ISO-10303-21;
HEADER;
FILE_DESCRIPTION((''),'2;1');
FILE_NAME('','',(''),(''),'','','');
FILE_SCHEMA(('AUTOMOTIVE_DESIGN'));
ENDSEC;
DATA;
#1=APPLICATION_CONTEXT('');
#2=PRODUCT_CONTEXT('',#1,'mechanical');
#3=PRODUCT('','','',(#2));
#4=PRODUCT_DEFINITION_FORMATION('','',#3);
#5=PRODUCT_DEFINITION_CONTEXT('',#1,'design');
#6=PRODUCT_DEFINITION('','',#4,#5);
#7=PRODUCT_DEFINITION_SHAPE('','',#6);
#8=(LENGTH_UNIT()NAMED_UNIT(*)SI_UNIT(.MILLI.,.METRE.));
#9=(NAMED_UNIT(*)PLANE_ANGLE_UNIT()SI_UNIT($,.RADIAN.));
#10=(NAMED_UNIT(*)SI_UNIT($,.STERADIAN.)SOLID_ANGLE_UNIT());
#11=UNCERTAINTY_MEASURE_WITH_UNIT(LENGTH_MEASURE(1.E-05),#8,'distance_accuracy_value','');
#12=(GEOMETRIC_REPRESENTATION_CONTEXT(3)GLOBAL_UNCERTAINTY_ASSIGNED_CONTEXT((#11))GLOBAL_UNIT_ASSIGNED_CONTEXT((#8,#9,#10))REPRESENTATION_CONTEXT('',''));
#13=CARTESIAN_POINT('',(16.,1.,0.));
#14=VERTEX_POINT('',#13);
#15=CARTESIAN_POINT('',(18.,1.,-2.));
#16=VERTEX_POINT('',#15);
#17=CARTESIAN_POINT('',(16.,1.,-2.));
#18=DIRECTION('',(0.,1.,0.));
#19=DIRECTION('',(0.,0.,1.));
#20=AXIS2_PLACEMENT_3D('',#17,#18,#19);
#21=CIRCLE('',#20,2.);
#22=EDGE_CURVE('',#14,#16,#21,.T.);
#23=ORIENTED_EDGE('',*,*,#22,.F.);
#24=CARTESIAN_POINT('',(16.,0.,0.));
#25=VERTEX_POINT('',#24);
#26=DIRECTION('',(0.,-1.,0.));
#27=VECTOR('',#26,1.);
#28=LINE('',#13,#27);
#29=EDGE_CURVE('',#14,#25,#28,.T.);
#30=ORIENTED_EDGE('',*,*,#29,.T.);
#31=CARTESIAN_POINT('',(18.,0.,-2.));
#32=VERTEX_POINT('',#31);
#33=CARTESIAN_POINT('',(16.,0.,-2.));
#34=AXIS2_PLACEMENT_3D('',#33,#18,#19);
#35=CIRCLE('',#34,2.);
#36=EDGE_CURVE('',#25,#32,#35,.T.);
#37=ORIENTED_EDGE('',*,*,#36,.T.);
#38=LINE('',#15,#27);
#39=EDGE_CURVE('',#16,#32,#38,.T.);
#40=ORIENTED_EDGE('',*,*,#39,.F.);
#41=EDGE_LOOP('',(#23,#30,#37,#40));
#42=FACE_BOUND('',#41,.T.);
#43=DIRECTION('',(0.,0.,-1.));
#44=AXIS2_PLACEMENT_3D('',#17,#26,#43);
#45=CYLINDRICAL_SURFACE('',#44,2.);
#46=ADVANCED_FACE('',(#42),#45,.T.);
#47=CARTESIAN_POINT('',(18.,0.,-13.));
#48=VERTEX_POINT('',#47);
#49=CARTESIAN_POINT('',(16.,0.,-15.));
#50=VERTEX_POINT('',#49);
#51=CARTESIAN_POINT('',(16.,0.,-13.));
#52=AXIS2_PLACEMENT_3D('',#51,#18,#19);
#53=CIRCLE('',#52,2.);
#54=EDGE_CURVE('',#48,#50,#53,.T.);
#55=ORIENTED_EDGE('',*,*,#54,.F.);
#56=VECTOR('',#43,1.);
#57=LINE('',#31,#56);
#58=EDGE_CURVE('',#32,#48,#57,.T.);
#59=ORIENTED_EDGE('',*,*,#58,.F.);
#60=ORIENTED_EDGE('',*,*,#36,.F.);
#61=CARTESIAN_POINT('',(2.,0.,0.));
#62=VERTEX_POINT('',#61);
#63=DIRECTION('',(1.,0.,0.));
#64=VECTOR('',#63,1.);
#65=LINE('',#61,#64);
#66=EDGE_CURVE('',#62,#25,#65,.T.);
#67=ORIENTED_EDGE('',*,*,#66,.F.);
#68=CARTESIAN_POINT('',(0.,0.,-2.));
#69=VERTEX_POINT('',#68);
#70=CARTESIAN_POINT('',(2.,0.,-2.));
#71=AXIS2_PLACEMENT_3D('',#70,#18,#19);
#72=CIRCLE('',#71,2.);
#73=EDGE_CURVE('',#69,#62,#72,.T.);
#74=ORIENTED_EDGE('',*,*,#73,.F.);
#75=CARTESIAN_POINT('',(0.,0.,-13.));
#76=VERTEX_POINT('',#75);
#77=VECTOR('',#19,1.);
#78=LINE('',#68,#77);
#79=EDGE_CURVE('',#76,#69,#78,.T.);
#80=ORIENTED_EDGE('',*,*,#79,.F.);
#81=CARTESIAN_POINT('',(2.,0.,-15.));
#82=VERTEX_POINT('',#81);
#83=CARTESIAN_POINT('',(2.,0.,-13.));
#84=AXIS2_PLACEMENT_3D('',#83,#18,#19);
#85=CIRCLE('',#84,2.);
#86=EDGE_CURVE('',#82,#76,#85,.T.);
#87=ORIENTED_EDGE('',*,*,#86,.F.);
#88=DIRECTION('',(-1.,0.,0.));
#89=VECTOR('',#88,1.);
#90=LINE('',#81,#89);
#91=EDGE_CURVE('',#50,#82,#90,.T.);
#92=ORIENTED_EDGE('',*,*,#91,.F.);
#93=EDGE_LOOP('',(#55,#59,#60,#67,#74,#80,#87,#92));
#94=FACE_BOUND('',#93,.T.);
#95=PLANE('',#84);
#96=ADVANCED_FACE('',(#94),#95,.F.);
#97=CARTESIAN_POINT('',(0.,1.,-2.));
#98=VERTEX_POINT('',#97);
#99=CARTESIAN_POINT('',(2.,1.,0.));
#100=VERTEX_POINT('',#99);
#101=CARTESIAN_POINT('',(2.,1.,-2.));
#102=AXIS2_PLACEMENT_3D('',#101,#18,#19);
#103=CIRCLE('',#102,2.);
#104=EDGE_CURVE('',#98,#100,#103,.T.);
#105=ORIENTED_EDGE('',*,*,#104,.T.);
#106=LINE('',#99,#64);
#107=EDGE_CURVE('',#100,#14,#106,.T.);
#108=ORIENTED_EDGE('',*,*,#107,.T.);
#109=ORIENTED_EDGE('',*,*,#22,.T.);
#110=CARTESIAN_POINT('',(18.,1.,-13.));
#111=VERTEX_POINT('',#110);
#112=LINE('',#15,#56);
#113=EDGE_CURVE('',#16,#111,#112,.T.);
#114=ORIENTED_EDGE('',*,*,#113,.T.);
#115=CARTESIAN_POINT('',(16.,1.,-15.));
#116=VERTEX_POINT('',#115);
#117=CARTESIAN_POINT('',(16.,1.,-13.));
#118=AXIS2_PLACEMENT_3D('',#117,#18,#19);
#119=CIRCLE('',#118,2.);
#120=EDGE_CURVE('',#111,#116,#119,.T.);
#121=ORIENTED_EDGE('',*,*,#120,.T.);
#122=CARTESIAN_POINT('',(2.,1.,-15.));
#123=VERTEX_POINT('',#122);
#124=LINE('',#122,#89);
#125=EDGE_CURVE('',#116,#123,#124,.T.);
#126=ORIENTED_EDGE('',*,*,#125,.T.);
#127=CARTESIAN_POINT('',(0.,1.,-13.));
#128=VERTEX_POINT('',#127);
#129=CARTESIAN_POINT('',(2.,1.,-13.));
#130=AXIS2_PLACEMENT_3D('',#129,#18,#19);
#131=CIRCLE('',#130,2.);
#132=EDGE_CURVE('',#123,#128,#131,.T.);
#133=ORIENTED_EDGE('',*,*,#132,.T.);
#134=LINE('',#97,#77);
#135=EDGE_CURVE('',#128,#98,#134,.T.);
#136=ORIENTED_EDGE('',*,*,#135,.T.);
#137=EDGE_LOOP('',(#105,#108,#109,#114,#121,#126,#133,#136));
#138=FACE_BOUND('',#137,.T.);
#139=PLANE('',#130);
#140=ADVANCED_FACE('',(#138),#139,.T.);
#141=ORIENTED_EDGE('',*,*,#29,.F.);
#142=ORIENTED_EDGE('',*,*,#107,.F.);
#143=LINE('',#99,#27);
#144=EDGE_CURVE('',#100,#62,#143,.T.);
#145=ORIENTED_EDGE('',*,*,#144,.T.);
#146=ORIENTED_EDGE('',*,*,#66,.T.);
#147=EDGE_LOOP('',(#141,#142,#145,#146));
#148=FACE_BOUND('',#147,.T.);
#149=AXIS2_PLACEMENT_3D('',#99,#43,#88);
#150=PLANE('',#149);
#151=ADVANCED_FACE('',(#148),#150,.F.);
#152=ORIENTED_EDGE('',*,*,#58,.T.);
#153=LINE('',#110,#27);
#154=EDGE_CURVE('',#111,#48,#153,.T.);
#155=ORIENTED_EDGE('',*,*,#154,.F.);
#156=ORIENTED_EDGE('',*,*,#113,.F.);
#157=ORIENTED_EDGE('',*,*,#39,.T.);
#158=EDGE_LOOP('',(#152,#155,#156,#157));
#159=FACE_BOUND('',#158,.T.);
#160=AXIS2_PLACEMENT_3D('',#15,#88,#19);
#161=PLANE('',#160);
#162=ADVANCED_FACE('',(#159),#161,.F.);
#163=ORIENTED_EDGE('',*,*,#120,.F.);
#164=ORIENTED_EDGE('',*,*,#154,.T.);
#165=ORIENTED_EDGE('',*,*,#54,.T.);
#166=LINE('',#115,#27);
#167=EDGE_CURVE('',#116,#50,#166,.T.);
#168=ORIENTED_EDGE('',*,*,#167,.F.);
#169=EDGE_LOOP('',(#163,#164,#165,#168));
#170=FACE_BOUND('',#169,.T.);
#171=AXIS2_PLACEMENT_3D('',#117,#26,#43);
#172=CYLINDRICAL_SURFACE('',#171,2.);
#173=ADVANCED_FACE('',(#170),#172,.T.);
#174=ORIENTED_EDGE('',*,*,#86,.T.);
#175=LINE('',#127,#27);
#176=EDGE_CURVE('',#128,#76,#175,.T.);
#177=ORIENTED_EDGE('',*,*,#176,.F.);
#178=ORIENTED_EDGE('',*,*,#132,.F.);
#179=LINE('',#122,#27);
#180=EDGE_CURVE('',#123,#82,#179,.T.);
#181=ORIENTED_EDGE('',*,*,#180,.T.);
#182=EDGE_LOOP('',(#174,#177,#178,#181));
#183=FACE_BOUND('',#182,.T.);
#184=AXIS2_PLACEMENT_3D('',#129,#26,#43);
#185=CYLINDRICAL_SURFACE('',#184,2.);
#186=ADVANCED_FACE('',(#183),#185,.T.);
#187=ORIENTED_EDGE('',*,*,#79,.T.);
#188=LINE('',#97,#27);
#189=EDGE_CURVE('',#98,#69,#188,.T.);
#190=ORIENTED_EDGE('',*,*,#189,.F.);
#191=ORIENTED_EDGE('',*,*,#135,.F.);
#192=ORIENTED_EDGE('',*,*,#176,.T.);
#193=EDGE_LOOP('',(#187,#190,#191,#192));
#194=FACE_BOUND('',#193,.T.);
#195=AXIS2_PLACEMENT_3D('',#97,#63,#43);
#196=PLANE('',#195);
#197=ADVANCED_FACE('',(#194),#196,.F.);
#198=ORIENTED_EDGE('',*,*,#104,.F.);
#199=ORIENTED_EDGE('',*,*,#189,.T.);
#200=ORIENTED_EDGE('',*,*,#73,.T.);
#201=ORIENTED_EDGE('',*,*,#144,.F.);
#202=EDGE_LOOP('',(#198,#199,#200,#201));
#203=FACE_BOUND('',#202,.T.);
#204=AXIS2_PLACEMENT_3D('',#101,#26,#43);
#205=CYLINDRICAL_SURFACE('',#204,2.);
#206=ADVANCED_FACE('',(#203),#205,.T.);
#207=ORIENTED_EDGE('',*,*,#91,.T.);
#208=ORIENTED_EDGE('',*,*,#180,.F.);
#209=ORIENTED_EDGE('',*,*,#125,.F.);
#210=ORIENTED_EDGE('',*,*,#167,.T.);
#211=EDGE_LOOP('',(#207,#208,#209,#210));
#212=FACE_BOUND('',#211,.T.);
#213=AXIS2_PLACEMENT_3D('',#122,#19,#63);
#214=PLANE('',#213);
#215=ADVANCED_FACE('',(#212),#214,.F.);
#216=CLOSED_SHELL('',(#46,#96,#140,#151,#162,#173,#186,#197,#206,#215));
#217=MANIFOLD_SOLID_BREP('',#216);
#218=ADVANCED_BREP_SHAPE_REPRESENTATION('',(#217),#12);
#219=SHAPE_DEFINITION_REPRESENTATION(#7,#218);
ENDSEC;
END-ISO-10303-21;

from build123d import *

# Parameters (mm, degrees)
BOSS_EXTRUDE1_DEPTH = 1


with BuildPart() as part:
    # Sketch1 → Boss-Extrude1 (new body)
    with BuildSketch(Plane(origin=(0, 0, 0), x_dir=(1, 0, 0), z_dir=(0, 1, 0))):
        with BuildLine():
            Line((2, 0), (16, 0))
            ThreePointArc((16, 0), (17.414213562, 0.585786438), (18, 2))
            Line((18, 2), (18, 13))
            ThreePointArc((18, 13), (17.414213562, 14.414213562), (16, 15))
            Line((16, 15), (2, 15))
            ThreePointArc((2, 15), (0.585786438, 14.414213562), (0, 13))
            Line((0, 13), (0, 2))
            ThreePointArc((0, 2), (0.585786438, 0.585786438), (2, 0))
        make_face()
    extrude(amount=BOSS_EXTRUDE1_DEPTH)


solid = part.part
